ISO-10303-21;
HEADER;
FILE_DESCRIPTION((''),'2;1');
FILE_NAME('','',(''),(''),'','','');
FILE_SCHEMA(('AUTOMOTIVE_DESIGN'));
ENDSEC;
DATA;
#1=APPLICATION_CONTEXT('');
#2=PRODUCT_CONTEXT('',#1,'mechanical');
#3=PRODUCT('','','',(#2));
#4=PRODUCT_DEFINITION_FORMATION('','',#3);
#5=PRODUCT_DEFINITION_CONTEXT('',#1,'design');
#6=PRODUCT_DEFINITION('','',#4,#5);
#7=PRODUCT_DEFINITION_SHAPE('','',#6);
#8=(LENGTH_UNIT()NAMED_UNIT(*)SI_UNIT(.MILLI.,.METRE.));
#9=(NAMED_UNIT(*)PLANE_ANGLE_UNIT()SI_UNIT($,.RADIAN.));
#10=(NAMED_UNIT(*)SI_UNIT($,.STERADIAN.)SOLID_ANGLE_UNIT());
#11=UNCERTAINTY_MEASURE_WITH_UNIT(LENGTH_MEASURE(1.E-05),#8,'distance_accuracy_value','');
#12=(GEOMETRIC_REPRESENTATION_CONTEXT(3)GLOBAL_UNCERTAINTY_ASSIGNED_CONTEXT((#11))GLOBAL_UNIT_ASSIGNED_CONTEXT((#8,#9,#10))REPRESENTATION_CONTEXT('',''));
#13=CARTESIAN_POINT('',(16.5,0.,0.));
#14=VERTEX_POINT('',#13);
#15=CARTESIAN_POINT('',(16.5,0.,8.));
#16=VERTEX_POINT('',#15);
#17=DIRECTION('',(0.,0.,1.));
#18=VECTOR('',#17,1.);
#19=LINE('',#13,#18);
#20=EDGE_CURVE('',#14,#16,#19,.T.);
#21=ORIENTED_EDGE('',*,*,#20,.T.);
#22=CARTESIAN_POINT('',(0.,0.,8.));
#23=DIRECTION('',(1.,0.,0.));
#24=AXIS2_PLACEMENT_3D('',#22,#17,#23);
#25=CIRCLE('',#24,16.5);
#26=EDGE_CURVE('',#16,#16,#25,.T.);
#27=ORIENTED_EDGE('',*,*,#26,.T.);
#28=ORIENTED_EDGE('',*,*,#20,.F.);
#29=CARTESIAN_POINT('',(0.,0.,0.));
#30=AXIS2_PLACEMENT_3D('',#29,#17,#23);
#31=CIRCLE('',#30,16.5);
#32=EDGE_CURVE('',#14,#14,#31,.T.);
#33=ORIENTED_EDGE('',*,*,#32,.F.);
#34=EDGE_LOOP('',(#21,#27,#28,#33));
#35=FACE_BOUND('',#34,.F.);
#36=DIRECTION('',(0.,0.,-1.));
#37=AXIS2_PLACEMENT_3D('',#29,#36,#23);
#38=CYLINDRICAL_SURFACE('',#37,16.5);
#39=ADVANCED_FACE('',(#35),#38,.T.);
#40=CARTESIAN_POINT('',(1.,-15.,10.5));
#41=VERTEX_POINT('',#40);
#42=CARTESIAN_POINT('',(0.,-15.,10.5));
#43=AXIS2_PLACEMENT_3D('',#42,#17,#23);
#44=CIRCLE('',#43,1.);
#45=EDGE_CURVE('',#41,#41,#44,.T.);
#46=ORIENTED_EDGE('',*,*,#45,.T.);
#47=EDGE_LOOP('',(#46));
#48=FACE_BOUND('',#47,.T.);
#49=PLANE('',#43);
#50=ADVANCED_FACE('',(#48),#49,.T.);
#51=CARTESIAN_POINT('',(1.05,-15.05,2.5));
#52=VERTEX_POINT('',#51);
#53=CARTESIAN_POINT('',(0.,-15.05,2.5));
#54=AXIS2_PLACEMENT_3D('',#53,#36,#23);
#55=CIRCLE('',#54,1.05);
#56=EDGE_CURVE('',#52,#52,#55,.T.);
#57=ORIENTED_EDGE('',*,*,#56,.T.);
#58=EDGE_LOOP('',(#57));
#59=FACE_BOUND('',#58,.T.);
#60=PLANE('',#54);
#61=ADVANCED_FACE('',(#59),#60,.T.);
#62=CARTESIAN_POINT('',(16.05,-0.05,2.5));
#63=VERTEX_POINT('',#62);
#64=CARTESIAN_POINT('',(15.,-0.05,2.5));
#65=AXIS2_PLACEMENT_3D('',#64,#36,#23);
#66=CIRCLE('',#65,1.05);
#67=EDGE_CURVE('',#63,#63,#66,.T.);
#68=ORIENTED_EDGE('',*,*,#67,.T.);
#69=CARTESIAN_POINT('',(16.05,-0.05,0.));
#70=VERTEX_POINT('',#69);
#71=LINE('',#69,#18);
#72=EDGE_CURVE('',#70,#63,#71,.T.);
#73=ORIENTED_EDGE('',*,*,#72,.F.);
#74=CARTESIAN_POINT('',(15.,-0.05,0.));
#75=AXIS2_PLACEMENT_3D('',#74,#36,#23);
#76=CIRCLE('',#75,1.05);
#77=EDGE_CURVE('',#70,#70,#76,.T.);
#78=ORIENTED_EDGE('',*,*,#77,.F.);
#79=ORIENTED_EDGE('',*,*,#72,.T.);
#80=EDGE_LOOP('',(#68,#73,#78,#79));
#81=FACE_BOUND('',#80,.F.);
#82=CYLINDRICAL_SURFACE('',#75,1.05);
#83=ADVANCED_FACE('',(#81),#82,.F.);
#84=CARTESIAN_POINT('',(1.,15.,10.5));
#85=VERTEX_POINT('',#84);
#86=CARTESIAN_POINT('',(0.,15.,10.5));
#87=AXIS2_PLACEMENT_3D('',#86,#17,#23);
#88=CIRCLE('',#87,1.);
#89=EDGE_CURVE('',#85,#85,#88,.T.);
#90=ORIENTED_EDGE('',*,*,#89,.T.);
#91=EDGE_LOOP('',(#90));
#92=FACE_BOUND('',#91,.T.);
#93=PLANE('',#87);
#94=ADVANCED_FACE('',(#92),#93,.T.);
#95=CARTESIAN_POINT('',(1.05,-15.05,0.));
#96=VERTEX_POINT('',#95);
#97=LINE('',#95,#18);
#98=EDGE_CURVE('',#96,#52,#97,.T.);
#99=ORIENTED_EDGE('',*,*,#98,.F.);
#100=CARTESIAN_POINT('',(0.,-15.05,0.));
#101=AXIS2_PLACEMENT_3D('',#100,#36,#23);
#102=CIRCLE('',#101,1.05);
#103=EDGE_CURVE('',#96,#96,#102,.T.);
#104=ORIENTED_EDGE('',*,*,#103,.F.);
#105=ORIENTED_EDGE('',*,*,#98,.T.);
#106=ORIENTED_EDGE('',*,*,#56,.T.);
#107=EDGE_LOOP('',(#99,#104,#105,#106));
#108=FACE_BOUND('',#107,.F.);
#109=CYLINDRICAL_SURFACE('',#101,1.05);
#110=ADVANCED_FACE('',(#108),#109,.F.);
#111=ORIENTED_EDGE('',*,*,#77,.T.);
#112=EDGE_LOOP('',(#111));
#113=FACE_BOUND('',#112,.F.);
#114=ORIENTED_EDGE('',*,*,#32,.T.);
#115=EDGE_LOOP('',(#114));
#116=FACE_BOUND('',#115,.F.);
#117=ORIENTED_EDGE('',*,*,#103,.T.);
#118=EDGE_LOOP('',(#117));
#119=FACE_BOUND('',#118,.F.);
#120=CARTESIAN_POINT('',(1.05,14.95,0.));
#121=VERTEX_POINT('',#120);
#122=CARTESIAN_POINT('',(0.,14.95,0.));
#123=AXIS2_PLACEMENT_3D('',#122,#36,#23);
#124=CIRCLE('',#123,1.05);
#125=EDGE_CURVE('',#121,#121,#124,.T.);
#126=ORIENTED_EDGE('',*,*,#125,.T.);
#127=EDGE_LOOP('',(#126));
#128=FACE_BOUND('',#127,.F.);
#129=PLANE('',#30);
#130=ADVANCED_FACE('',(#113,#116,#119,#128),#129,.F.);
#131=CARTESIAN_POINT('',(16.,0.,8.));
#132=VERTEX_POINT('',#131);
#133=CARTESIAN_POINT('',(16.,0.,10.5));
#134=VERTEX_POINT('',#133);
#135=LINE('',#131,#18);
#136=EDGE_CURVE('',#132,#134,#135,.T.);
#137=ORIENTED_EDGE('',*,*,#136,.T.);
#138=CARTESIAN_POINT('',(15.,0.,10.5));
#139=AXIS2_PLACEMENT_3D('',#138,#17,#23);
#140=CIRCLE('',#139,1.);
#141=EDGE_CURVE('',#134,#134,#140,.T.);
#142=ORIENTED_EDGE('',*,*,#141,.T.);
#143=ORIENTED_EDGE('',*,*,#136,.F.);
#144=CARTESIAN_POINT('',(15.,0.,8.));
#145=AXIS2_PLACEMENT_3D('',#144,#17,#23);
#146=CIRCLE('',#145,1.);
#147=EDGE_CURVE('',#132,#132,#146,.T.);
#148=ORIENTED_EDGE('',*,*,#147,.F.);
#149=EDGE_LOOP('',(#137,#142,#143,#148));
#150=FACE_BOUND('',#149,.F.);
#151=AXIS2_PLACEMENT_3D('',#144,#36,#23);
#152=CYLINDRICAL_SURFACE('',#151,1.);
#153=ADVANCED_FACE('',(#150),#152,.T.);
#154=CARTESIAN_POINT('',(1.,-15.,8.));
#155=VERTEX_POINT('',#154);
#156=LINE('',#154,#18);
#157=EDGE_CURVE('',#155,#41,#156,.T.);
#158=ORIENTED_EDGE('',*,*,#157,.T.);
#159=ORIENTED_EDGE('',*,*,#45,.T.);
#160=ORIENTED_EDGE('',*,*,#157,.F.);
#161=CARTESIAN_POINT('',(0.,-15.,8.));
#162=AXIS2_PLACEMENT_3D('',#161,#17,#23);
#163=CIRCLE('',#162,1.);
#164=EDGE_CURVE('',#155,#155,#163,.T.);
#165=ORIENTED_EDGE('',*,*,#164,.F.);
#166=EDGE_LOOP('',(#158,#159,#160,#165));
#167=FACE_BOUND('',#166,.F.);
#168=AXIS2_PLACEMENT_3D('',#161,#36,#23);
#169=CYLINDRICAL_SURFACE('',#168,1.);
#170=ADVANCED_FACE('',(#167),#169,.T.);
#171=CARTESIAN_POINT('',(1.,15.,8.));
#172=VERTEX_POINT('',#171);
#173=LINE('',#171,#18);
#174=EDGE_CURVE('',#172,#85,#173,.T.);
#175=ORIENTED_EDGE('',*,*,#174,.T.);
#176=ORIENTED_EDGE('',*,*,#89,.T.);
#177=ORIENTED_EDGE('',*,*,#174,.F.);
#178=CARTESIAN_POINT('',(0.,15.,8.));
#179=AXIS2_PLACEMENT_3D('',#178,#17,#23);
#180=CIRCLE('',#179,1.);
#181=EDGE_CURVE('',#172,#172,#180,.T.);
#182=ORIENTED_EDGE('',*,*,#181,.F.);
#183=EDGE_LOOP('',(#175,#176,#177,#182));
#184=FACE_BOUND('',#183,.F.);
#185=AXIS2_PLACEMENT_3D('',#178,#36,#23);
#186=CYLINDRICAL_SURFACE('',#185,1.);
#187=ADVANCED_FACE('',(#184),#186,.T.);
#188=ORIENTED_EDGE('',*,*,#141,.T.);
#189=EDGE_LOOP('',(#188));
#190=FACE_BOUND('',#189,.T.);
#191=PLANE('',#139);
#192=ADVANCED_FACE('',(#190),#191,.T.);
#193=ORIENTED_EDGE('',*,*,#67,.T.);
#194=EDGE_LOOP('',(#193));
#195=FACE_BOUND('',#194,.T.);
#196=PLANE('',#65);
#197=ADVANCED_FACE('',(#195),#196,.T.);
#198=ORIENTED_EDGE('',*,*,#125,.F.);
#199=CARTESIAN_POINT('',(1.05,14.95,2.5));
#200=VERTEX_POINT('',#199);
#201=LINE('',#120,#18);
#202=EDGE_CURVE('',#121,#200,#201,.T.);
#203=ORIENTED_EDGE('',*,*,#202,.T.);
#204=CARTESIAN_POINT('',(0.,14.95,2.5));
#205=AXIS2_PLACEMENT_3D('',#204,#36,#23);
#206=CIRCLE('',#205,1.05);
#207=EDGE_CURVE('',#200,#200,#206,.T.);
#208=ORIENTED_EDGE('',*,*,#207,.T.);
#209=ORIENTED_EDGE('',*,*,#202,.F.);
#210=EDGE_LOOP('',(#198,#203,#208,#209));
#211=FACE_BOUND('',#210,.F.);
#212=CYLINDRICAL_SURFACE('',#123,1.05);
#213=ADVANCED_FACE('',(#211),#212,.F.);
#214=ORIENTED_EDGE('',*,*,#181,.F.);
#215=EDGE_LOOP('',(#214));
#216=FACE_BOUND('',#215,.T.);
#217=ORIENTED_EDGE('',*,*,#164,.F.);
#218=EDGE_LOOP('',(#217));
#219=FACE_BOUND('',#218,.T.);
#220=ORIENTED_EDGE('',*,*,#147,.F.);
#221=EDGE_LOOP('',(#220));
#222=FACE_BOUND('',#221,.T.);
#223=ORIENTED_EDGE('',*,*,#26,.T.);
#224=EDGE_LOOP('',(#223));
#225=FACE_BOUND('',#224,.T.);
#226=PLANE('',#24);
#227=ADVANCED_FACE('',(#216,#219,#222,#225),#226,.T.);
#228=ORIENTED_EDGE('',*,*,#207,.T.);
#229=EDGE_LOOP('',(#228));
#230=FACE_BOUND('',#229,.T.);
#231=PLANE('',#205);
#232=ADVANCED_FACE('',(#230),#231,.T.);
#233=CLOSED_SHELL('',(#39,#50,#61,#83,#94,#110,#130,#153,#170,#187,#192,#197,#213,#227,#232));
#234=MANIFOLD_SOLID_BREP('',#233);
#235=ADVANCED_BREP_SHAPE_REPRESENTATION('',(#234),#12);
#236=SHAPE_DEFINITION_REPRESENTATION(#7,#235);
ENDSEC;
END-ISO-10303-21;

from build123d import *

# Parameters (mm, degrees)
F0_R     = 16.5
F1_DEPTH = 8
F2_R     = 1.05
F3_DEPTH = 2.5
F4_R     = 1
F5_DEPTH = 2.5


with BuildPart() as f1:
    # F0 (on Top) → F1 (new body)
    with BuildSketch(Plane.XY):
        Circle(F0_R)
    extrude(amount=F1_DEPTH)

    # F2 (on face) → F3 (cut)
    with BuildSketch(Plane(origin=(0, 0, 0), x_dir=(1, 0, 0), z_dir=(0, 0, -1))):
        with Locations((0, 15.05)):
            Circle(F2_R)
        with Locations((15, 0.05)):
            Circle(F2_R)
        with Locations((0, -14.95)):
            Circle(F2_R)
    extrude(amount=-F3_DEPTH, mode=Mode.SUBTRACT)

    # F4 (on face) → F5 (join)
    with BuildSketch(Plane.XY.offset(8)):
        with Locations((0, 15)):
            Circle(F4_R)
        with Locations((15, 0)):
            Circle(F4_R)
        with Locations((0, -15)):
            Circle(F4_R)
    extrude(amount=F5_DEPTH)


solid = f1.part
